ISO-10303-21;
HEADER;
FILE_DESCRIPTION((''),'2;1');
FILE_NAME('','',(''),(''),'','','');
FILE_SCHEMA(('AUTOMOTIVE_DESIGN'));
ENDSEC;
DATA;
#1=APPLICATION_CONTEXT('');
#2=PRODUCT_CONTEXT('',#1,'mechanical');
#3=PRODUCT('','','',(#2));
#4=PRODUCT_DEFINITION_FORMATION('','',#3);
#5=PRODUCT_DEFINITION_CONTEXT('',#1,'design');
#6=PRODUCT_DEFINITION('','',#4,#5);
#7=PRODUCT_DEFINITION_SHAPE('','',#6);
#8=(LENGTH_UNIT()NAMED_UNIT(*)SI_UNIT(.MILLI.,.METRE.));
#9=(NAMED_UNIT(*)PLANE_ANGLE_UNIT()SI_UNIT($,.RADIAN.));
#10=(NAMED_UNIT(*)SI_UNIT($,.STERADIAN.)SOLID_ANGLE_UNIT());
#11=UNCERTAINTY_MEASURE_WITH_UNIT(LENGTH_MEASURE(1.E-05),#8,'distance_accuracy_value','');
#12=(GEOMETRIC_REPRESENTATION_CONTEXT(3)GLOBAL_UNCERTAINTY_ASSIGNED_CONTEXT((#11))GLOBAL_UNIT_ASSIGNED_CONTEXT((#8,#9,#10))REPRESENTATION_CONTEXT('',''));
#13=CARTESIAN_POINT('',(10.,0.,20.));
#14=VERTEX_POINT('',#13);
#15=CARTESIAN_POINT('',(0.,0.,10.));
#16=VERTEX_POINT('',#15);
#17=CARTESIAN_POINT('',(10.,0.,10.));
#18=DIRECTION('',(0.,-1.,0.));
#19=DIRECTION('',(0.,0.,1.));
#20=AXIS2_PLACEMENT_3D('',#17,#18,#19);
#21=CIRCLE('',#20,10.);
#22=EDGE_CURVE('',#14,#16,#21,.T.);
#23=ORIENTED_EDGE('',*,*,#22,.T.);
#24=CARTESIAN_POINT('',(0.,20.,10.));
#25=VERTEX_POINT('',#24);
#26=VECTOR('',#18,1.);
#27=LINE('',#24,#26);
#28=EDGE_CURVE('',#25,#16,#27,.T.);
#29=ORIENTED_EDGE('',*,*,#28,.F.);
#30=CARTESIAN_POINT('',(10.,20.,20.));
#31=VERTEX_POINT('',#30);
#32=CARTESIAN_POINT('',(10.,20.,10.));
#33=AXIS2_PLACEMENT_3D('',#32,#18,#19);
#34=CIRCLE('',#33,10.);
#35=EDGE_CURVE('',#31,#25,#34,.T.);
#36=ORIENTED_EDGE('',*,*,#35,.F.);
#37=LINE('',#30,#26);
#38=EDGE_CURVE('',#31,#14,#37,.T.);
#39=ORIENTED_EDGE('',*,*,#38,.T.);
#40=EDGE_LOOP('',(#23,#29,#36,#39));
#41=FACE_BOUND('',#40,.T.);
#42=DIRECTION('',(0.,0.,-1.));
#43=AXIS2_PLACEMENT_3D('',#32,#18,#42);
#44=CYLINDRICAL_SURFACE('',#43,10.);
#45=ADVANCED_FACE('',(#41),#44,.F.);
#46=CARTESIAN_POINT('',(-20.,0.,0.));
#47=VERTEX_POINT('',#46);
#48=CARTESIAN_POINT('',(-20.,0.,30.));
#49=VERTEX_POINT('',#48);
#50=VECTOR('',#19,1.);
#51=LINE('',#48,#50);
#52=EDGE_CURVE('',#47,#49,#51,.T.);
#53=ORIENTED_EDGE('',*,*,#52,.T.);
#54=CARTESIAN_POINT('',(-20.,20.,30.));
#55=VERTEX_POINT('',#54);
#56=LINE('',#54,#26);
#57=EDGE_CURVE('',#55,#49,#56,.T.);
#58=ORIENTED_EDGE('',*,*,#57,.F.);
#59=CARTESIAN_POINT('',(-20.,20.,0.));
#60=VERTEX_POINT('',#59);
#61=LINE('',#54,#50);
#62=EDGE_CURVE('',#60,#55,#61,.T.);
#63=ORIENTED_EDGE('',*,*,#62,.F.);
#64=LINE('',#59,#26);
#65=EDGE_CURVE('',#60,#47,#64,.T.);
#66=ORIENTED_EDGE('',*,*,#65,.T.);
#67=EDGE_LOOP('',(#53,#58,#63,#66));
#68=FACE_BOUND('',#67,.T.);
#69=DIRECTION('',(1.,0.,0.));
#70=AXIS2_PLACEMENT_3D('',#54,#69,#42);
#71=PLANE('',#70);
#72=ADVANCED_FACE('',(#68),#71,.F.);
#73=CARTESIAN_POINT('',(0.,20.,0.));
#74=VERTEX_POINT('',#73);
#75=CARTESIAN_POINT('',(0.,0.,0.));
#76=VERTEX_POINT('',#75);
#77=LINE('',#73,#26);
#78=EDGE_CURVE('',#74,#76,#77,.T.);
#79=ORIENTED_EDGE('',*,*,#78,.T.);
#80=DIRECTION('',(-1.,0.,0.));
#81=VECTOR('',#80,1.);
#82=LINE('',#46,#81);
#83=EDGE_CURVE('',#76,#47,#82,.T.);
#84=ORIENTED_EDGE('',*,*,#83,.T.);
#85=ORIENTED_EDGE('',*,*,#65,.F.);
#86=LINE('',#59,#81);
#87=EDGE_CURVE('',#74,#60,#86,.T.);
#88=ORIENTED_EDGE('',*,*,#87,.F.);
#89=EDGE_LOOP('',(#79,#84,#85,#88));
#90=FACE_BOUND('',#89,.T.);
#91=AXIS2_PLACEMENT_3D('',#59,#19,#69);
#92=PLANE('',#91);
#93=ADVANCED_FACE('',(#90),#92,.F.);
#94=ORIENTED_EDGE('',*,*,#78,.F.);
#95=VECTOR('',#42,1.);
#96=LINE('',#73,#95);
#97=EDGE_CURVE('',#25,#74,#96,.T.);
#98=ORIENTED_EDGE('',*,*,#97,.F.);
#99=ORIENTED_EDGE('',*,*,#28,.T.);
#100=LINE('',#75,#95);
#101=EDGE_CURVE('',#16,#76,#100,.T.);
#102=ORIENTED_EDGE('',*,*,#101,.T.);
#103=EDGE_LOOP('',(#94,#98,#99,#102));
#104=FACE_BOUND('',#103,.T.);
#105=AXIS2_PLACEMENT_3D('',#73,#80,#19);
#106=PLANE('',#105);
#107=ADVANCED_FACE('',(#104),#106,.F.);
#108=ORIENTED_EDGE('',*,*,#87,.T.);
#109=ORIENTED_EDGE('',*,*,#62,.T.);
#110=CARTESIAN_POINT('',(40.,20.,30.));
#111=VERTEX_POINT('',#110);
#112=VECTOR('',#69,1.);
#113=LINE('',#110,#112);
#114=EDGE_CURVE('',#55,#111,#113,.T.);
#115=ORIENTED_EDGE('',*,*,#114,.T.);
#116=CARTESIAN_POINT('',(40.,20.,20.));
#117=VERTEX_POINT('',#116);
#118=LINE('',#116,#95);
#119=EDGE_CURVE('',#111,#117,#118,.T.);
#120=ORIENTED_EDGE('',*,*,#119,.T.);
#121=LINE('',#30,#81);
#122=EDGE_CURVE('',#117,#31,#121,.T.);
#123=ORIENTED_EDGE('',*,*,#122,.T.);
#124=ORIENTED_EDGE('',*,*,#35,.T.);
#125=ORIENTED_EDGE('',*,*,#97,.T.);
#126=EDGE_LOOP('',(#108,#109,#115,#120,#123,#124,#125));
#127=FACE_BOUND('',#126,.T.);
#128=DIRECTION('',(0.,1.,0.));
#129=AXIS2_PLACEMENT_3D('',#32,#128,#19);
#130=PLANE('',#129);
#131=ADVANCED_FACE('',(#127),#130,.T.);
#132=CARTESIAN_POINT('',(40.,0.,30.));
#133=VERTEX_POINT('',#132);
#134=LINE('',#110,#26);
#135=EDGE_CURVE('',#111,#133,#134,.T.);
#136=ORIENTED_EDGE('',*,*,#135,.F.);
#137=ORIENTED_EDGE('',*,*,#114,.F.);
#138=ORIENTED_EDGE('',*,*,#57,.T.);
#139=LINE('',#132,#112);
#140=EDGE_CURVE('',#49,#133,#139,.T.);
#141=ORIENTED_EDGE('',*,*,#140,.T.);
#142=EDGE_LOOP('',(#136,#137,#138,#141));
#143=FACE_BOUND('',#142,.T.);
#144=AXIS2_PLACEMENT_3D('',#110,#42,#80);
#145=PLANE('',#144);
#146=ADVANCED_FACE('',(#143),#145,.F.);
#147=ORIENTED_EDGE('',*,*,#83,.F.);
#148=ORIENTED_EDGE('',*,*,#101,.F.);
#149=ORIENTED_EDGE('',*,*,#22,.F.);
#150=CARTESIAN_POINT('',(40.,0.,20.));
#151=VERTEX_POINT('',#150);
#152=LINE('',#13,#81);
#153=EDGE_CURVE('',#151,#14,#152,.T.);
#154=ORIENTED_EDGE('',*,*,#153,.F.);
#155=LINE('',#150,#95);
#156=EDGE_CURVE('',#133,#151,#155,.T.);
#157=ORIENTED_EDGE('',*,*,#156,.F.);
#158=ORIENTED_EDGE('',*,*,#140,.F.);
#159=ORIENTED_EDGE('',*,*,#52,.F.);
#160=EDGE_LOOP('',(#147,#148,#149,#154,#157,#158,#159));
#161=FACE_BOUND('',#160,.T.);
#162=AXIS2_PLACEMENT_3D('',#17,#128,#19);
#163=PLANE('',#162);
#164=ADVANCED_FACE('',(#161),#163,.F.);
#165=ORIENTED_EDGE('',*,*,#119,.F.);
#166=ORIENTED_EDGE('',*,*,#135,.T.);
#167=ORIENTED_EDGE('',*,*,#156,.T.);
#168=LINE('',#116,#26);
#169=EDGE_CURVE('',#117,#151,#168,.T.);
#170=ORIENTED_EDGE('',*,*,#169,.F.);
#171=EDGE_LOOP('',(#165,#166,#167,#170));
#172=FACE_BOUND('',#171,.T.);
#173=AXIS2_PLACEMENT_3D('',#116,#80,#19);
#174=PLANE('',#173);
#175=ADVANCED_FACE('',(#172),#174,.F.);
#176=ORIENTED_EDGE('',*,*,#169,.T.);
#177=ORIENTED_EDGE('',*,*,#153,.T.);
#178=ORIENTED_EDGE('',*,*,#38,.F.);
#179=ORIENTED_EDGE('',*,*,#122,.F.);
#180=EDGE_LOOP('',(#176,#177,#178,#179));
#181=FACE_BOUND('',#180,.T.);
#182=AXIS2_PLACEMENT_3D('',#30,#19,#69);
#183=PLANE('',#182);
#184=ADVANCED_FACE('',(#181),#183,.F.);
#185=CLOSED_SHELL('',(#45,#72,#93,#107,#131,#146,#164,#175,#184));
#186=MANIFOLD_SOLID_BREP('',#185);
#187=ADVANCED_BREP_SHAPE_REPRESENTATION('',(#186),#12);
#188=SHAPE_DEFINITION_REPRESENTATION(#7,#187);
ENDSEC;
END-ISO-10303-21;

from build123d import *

# Parameters (mm, degrees)
BOSS_EXTRUDE1_DEPTH = 20


with BuildPart() as part:
    # Sketch2 → Boss-Extrude1 (new body)
    with BuildSketch(Plane(origin=(0, 0, 0), x_dir=(1, 0, 0), z_dir=(0, 1, 0))):
        with BuildLine():
            Line((0, 0), (0, -10))
            ThreePointArc((0, -10), (2.928932188, -17.071067812), (10, -20))
            Line((10, -20), (40, -20))
            Line((40, -20), (40, -30))
            Line((40, -30), (-20, -30))
            Line((-20, -30), (-20, 0))
            Line((-20, 0), (0, 0))
        make_face()
    extrude(amount=BOSS_EXTRUDE1_DEPTH)


solid = part.part
